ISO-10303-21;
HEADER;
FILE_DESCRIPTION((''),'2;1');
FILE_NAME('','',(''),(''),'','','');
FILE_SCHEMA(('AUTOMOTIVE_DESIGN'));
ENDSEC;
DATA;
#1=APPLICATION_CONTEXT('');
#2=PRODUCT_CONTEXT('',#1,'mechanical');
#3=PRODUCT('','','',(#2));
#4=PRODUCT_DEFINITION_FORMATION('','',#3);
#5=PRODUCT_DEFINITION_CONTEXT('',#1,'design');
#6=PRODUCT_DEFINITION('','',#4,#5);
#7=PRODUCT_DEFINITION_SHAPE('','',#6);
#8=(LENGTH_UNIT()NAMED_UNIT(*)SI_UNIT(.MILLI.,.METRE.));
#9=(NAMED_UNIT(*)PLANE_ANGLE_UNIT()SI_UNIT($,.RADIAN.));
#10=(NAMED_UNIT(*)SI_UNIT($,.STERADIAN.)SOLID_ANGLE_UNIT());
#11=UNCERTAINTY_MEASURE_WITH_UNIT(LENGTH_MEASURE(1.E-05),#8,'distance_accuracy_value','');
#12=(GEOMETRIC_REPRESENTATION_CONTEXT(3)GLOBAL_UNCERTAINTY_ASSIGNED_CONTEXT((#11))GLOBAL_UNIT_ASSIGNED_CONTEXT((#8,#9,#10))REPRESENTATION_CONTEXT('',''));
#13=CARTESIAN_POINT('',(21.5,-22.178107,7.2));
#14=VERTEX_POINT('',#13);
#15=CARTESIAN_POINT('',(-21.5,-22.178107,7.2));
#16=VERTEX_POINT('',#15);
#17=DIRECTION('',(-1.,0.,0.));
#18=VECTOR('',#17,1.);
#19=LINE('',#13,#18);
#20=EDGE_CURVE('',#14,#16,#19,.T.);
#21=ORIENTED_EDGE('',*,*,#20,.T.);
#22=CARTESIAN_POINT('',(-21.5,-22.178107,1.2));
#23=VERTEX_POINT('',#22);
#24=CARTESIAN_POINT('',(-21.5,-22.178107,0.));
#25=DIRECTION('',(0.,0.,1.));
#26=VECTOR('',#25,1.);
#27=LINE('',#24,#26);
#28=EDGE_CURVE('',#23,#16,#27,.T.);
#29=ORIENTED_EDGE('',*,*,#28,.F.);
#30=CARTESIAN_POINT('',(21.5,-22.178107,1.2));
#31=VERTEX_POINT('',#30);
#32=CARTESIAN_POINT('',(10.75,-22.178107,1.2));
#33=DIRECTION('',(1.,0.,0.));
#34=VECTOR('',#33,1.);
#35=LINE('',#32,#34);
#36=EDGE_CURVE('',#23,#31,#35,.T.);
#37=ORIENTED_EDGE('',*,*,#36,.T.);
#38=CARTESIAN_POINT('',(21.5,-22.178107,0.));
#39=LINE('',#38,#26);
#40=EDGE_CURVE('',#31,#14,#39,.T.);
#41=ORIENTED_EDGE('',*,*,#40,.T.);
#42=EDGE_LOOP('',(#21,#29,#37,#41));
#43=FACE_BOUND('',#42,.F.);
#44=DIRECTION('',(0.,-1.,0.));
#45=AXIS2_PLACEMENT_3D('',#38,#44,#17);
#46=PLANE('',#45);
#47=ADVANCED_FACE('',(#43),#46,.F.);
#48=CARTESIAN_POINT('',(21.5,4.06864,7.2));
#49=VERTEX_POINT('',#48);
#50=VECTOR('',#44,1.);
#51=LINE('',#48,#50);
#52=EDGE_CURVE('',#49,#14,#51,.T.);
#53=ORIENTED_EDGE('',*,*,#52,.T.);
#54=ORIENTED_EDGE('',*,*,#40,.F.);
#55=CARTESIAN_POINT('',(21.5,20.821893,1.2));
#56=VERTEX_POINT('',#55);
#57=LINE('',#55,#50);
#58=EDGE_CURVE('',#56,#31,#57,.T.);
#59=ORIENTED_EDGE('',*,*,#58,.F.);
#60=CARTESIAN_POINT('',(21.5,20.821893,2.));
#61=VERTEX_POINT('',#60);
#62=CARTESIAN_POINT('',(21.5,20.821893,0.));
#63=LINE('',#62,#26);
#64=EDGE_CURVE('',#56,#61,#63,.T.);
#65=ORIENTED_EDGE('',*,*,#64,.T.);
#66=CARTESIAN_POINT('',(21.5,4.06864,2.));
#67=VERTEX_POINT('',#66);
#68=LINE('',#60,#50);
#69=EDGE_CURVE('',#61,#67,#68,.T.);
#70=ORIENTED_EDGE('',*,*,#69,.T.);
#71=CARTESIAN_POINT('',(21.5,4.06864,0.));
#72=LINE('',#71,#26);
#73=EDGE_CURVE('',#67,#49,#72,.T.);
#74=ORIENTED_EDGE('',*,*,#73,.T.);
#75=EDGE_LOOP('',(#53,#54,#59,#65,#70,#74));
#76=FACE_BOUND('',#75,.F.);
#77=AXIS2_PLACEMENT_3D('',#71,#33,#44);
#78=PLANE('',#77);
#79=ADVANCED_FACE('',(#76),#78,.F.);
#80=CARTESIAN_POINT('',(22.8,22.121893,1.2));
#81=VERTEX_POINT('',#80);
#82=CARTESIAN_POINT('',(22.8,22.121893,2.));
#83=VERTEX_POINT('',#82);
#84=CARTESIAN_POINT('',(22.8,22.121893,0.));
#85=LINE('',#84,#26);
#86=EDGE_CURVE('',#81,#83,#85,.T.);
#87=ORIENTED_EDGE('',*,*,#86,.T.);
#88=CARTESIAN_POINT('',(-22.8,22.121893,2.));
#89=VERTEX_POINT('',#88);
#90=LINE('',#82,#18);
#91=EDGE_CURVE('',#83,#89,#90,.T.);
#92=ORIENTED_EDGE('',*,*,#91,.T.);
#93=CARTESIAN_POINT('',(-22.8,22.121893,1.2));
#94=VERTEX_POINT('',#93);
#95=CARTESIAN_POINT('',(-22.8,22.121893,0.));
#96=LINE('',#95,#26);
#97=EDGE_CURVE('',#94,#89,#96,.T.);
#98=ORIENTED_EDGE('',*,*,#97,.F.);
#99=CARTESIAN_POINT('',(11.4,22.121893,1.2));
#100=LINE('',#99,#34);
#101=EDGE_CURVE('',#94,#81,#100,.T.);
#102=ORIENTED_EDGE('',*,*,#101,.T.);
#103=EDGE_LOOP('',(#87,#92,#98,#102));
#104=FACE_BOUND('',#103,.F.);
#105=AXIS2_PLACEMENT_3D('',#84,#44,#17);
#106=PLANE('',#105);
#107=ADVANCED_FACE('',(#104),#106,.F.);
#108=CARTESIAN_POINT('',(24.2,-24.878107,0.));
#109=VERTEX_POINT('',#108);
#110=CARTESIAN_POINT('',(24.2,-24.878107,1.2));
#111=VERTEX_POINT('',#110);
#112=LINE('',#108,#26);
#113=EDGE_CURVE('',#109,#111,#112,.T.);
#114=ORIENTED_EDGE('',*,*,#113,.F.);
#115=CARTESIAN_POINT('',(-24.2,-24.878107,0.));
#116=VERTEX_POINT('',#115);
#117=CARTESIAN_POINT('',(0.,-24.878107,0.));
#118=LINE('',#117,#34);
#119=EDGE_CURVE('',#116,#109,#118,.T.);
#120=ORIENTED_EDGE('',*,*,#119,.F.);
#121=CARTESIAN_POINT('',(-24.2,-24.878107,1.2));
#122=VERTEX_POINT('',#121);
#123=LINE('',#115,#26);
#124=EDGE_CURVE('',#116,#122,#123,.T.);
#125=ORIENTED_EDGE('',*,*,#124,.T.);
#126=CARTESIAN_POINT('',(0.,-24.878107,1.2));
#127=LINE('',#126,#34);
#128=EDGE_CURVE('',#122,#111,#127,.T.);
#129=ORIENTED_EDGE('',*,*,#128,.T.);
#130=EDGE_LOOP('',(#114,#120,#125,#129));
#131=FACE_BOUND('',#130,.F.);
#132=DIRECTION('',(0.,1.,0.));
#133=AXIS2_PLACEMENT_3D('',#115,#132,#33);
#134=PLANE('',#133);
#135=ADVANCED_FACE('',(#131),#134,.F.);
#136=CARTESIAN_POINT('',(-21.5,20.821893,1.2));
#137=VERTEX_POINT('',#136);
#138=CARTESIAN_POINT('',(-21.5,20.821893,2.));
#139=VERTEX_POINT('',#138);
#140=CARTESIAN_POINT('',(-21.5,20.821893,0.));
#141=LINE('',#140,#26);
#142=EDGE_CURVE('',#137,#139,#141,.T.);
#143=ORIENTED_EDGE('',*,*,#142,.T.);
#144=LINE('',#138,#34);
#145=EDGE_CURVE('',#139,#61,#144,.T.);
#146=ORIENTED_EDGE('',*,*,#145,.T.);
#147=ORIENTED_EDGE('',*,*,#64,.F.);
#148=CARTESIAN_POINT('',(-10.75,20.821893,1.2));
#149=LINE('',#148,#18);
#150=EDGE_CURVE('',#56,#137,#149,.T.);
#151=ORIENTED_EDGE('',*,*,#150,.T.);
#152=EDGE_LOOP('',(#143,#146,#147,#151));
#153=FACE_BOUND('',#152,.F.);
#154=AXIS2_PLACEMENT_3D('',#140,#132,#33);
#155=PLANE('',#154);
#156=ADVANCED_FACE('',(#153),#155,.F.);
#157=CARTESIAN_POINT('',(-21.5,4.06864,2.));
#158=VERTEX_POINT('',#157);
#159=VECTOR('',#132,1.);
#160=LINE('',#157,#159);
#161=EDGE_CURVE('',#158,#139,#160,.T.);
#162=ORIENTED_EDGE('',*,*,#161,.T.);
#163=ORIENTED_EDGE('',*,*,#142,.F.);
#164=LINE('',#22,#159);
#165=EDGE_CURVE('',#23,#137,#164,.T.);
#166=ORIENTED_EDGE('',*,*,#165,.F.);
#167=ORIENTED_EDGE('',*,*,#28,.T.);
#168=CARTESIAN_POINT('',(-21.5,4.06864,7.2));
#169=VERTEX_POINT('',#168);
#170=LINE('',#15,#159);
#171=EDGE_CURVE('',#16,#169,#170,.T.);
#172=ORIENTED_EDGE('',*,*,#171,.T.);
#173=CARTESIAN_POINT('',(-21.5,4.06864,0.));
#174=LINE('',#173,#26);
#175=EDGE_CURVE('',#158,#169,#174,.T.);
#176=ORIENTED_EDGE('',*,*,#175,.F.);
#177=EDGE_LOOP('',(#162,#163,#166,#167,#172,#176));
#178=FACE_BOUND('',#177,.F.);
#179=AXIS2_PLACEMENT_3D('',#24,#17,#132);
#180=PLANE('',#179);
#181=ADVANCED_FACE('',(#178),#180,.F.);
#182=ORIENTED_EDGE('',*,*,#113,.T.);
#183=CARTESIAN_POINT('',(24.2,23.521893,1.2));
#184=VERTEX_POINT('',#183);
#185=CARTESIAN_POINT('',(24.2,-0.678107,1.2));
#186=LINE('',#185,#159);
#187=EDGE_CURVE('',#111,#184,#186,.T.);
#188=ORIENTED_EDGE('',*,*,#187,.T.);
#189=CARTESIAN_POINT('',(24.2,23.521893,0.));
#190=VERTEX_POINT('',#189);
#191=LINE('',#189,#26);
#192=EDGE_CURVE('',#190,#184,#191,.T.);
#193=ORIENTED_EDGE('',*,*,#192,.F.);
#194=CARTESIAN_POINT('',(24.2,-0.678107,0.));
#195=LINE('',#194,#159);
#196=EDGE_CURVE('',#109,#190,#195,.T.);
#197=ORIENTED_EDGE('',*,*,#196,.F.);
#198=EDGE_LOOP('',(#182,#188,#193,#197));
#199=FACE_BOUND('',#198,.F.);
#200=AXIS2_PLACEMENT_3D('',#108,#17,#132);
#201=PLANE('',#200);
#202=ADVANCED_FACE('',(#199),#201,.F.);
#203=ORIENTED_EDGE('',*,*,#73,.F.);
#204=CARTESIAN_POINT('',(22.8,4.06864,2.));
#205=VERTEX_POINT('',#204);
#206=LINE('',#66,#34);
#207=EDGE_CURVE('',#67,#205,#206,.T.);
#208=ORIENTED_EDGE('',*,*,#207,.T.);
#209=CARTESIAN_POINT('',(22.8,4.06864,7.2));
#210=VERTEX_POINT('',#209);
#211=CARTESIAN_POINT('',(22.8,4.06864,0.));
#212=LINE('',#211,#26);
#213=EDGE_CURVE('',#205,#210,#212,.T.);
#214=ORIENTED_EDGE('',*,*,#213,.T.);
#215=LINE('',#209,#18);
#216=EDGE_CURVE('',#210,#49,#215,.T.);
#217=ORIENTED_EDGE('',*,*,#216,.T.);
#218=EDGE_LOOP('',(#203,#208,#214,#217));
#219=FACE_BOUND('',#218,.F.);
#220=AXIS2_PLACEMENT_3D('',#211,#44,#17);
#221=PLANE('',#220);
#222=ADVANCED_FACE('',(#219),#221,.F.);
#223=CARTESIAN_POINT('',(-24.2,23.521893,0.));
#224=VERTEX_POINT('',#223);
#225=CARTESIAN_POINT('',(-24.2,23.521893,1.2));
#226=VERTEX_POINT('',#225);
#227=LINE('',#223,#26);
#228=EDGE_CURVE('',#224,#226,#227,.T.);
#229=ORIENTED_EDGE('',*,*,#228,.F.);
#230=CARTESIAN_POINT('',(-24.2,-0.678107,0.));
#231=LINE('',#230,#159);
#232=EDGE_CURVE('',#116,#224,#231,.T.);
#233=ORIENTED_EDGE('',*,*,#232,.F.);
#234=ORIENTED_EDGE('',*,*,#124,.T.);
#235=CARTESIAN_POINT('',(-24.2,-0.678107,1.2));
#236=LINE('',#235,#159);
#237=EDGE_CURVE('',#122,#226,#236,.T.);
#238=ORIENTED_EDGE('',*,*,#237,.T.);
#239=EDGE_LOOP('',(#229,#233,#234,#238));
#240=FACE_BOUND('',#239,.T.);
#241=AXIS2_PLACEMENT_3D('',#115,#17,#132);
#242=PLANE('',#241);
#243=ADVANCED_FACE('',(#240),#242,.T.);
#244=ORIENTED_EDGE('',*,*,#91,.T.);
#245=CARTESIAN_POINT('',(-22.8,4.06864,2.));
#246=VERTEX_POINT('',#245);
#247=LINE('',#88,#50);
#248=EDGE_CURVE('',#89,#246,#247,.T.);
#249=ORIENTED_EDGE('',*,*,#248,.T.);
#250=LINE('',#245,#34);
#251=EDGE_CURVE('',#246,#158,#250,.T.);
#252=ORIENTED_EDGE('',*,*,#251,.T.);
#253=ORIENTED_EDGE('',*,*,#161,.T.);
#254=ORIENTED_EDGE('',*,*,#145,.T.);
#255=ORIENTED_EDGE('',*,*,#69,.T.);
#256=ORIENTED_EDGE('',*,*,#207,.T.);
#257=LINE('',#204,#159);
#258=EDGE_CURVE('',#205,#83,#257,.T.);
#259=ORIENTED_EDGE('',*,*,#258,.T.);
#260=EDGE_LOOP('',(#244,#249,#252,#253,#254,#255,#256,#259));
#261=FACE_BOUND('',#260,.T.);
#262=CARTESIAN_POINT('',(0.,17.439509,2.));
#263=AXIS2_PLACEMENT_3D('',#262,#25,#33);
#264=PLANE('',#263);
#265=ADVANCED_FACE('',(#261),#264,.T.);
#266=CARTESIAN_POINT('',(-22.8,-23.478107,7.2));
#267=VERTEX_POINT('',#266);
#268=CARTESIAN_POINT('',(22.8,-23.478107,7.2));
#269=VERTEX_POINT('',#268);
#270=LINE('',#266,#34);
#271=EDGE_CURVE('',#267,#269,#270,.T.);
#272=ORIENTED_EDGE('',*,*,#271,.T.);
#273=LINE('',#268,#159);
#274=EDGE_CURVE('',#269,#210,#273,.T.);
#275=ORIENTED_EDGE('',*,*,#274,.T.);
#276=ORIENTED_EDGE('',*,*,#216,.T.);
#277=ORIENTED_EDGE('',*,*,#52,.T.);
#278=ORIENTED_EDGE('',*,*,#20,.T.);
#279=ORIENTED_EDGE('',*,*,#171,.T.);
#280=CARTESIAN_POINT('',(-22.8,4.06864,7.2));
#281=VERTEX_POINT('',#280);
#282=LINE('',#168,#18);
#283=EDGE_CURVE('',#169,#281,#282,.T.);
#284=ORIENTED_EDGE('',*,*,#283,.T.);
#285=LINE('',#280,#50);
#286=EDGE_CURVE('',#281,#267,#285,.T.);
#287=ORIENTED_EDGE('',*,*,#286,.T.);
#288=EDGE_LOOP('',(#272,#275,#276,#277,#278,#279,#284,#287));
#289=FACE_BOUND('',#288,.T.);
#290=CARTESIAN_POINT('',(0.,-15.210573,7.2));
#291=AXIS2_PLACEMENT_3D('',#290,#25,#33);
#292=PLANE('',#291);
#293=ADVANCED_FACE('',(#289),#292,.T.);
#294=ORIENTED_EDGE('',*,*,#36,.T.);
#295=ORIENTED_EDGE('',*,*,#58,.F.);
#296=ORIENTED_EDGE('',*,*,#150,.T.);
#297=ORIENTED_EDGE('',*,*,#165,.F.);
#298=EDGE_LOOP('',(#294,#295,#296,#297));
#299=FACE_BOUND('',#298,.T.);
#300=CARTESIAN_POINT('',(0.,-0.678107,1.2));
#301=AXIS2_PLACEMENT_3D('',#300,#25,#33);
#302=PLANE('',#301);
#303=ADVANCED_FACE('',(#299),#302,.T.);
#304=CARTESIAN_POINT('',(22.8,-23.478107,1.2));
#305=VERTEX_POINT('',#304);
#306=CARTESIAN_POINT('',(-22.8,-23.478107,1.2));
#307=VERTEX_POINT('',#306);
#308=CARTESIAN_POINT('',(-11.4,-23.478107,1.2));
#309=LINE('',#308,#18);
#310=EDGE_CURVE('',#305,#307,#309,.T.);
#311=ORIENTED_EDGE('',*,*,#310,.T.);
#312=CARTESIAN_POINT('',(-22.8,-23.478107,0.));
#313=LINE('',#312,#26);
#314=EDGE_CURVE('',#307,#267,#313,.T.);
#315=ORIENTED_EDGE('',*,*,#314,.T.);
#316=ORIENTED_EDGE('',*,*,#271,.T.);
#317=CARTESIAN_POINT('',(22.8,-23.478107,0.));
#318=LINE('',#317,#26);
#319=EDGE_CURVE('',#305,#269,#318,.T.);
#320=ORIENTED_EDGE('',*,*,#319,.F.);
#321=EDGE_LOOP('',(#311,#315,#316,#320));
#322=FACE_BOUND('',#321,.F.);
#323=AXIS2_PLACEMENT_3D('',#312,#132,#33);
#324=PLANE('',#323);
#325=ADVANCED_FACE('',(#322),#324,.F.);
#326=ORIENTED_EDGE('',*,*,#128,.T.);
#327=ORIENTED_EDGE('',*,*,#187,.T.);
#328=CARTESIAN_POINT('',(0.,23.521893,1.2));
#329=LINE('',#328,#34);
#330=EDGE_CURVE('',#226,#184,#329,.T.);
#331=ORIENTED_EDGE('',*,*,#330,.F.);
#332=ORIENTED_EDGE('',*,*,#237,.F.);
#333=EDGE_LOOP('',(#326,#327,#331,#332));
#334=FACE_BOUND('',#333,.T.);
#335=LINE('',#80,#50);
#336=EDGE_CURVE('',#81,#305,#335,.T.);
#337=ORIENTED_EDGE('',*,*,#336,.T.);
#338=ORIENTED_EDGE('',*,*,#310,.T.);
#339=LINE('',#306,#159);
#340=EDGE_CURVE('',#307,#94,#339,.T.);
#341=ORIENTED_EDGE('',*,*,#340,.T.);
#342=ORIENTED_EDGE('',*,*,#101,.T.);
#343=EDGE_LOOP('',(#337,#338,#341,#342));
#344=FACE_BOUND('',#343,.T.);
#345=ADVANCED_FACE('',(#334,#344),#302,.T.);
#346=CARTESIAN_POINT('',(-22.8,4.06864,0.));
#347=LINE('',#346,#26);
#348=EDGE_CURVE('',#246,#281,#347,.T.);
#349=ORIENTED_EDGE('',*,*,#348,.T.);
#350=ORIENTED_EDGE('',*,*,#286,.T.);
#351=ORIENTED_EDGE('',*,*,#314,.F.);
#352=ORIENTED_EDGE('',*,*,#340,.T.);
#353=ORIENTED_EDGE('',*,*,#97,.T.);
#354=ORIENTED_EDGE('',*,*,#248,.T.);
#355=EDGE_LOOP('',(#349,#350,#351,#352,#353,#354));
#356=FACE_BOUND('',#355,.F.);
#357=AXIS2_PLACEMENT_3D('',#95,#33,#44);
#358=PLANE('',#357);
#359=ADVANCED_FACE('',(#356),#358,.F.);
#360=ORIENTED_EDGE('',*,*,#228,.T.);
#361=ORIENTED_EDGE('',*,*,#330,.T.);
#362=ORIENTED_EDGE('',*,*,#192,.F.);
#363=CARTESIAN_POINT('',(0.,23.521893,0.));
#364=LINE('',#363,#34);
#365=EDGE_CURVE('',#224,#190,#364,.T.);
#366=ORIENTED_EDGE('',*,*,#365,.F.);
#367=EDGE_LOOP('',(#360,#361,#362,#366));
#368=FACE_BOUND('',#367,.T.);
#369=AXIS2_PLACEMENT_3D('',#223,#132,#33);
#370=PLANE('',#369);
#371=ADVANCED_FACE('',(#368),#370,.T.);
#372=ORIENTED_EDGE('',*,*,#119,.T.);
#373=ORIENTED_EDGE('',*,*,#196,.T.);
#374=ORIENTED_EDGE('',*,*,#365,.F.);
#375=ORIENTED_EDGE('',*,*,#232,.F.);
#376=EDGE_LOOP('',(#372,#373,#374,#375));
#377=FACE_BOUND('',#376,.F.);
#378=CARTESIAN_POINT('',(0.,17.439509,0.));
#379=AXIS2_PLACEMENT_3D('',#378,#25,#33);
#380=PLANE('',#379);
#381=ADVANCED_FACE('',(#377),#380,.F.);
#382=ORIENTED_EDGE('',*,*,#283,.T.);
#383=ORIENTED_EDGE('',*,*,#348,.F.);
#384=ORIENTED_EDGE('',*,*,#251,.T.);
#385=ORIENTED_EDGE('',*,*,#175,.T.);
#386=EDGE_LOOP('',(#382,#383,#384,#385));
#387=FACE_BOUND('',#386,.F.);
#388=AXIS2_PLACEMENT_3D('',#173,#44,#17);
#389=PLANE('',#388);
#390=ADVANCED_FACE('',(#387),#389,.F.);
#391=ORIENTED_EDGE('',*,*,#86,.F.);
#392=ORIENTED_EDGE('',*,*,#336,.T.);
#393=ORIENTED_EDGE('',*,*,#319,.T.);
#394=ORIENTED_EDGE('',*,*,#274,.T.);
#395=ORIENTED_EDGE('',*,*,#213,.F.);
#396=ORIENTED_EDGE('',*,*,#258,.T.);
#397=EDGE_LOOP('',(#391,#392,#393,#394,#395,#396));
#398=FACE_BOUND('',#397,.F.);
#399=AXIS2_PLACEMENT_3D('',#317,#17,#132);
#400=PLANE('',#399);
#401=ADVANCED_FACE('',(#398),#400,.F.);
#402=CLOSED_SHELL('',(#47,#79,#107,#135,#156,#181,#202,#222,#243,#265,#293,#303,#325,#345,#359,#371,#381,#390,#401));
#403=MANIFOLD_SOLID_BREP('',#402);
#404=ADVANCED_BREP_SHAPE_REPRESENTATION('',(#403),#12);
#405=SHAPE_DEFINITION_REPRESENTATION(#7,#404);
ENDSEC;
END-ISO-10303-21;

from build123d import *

# Parameters (mm, degrees)
F0_W     = 48.4
F0_H     = 48.4
F3_DEPTH = 1.2
F4_DEPTH = 7.2
F5_DEPTH = 2


with BuildPart() as f3:
    # F0 (on Top) → F3 (new body)
    with BuildSketch(Plane.XY):
        with Locations((0, -0.678107)):
            Rectangle(F0_W, F0_H)
        Polygon((-22.8, 4.06864), (-22.8, 22.121893), (22.8, 22.121893), (22.8, 4.06864), (22.8, -23.478107), (-22.8, -23.478107), align=None, mode=Mode.SUBTRACT)
        Polygon((-21.5, 20.821893), (-21.5, 4.06864), (-21.5, -22.178107), (21.5, -22.178107), (21.5, 4.06864), (21.5, 20.821893), align=None)
        Polygon((22.8, 22.121893), (-22.8, 22.121893), (-22.8, 4.06864), (-21.5, 4.06864), (-21.5, 20.821893), (21.5, 20.821893), (21.5, 4.06864), (22.8, 4.06864), align=None)
        Polygon((-21.5, 4.06864), (-22.8, 4.06864), (-22.8, -23.478107), (22.8, -23.478107), (22.8, 4.06864), (21.5, 4.06864), (21.5, -22.178107), (-21.5, -22.178107), align=None)
    extrude(amount=F3_DEPTH)

    # F1 (on Top) → F4 (join)
    with BuildSketch(Plane.XY):
        Polygon((-21.5, 4.06864), (-22.8, 4.06864), (-22.8, -23.478107), (22.8, -23.478107), (22.8, 4.06864), (21.5, 4.06864), (21.5, -22.178107), (-21.5, -22.178107), align=None)
    extrude(amount=F4_DEPTH)

    # F2 (on Top) → F5 (join)
    with BuildSketch(Plane.XY):
        Polygon((22.8, 22.121893), (-22.8, 22.121893), (-22.8, 4.06864), (-21.5, 4.06864), (-21.5, 20.821893), (21.5, 20.821893), (21.5, 4.06864), (22.8, 4.06864), align=None)
    extrude(amount=F5_DEPTH)


solid = f3.part
